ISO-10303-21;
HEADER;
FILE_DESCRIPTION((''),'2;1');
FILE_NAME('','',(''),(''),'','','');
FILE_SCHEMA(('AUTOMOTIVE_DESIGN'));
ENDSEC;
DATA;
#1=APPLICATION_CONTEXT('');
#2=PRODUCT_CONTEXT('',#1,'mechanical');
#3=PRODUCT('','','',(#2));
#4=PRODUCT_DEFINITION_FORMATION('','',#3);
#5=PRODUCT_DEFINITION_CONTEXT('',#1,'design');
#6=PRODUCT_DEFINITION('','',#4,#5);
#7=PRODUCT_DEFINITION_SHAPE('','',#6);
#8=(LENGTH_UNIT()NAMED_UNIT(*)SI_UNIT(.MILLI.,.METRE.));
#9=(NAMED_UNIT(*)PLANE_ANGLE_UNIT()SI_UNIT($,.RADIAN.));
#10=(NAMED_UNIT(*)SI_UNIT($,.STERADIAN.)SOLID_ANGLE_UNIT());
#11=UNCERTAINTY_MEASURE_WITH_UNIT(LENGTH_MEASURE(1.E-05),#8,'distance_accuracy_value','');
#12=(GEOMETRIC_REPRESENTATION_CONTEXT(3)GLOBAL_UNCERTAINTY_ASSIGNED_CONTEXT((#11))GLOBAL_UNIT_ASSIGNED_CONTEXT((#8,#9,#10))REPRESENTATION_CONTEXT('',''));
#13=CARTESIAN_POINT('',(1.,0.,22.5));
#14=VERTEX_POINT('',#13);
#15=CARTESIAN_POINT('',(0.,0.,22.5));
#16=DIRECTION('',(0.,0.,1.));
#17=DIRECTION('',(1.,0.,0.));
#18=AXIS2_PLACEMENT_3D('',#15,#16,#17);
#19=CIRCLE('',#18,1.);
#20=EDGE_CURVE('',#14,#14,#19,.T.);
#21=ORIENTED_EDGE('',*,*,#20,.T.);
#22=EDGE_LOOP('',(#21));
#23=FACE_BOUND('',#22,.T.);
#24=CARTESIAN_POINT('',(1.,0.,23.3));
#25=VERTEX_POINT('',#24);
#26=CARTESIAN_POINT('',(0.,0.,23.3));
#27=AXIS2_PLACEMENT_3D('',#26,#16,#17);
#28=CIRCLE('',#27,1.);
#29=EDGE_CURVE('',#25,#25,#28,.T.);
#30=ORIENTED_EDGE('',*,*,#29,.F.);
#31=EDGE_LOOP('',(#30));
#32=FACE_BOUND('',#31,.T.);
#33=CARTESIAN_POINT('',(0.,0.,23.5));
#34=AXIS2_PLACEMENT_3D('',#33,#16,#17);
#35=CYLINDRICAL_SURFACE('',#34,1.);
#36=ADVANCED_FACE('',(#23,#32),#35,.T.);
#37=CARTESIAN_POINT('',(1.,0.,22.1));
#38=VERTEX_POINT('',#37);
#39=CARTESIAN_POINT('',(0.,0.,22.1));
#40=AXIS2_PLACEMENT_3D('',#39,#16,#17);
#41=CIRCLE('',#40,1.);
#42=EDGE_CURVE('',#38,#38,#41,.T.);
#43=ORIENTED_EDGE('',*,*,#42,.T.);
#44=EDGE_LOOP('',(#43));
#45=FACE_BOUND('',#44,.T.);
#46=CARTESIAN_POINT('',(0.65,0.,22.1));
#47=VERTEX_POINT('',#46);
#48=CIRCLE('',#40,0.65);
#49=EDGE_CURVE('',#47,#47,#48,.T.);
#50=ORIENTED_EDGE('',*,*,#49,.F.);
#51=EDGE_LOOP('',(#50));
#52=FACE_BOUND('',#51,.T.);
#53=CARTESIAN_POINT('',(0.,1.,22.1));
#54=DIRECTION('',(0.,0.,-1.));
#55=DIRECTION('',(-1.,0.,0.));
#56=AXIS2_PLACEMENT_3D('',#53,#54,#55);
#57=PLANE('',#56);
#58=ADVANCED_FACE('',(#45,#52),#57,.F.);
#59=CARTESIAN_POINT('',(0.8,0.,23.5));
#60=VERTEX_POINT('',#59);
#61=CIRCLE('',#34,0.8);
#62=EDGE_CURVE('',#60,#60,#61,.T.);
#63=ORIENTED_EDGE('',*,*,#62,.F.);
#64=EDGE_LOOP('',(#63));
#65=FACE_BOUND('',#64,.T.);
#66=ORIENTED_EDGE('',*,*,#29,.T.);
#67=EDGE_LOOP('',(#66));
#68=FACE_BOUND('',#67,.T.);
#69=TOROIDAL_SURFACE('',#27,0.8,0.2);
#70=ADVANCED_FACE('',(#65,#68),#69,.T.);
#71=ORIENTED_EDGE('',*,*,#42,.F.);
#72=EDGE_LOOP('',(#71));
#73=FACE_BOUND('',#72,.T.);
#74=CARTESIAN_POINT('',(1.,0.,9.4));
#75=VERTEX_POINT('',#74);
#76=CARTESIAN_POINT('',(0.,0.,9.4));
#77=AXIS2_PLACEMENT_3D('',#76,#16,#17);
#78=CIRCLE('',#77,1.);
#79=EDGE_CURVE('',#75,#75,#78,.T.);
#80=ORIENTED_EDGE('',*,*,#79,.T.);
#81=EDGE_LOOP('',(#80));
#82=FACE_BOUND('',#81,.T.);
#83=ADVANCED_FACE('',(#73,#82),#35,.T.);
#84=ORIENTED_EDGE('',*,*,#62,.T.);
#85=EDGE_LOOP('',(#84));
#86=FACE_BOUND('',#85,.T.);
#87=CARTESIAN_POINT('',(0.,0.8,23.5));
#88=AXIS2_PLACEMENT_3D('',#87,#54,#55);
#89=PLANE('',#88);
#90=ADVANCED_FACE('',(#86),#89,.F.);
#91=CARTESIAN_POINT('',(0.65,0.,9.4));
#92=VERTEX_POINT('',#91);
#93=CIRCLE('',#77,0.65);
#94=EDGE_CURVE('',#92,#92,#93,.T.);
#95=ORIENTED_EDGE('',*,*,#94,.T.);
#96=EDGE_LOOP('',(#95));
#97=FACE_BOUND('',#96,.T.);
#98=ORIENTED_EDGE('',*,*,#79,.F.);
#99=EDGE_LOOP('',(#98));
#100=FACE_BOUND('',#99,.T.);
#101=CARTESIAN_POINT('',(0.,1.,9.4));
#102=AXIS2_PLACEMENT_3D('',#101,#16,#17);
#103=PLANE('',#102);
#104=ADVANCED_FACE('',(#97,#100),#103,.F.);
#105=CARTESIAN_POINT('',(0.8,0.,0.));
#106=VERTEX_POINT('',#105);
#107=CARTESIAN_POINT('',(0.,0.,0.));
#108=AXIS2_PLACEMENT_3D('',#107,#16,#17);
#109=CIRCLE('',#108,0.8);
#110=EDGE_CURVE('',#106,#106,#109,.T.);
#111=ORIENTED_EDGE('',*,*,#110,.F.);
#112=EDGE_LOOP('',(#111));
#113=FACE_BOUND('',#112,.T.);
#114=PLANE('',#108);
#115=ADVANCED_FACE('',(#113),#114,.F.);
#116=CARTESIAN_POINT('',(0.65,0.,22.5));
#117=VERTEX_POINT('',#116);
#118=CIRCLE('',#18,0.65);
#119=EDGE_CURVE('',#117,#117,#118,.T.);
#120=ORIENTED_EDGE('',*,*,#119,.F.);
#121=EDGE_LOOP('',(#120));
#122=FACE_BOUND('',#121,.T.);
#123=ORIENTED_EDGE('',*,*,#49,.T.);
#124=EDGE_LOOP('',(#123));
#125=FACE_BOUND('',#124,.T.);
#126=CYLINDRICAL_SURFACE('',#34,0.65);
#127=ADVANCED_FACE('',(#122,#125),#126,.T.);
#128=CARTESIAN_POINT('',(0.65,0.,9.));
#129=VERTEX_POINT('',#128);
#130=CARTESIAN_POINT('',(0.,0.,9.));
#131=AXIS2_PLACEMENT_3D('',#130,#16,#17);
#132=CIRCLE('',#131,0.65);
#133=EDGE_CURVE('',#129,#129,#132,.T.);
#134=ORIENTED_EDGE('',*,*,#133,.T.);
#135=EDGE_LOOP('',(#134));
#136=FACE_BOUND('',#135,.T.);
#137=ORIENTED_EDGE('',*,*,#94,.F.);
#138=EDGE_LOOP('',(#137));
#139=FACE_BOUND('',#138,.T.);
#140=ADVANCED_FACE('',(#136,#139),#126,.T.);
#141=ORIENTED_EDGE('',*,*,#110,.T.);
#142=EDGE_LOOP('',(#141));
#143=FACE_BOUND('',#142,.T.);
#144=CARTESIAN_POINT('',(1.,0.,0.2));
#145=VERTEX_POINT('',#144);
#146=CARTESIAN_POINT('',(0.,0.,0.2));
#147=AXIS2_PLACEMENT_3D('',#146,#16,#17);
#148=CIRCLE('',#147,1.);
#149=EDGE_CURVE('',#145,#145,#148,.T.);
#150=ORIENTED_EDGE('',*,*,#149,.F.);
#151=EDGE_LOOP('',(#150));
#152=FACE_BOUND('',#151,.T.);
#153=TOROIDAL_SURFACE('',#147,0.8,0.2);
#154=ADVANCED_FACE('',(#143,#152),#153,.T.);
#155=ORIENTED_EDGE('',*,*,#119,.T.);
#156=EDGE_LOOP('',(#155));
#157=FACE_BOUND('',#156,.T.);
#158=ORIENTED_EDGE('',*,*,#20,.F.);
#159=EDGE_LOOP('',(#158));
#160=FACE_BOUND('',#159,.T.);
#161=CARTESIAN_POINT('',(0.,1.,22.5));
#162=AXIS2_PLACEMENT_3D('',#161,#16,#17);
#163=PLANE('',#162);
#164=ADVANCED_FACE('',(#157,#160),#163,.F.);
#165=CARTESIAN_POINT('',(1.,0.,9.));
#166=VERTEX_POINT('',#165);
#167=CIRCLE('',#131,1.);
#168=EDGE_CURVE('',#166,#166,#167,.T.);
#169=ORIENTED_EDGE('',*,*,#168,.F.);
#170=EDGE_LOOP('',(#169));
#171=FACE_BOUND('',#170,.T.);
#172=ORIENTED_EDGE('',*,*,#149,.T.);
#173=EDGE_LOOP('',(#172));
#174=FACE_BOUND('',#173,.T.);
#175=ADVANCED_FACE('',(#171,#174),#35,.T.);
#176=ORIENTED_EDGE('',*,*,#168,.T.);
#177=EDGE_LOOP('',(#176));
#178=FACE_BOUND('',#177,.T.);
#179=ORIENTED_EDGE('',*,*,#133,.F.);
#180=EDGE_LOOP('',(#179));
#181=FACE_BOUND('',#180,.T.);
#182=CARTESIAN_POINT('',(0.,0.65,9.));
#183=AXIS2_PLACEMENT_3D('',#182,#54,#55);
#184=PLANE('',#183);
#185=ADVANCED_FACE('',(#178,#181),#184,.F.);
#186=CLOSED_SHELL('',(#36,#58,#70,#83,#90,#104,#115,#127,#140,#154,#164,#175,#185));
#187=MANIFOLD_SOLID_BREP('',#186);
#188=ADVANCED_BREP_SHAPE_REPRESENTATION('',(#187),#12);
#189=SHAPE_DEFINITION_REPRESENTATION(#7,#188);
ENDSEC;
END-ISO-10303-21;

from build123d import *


with BuildPart() as part:
    # Esquisse1 → Révolution1 (revolve)
    with BuildSketch(Plane(origin=(0, 0, 0), x_dir=(0, 0, -1), z_dir=(1, 0, 0))):
        with BuildLine():
            Line((0, 0), (0, 0.8))
            ThreePointArc((0, 0.8), (-0.058578644, 0.941421356), (-0.2, 1))
            Line((-0.2, 1), (-9, 1))
            Line((-9, 1), (-9, 0.65))
            Line((-9, 0.65), (-9.4, 0.65))
            Line((-9.4, 0.65), (-9.4, 1))
            Line((-9.4, 1), (-22.1, 1))
            Line((-22.1, 1), (-22.1, 0.65))
            Line((-22.1, 0.65), (-22.5, 0.65))
            Line((-22.5, 0.65), (-22.5, 1))
            Line((-22.5, 1), (-23.3, 1))
            ThreePointArc((-23.3, 1), (-23.441421356, 0.941421356), (-23.5, 0.8))
            Line((-23.5, 0.8), (-23.5, 0))
            Line((-23.5, 0), (0, 0))
        make_face()
    revolve(axis=Axis((0, 0, 23.5), (0, 0, -1)))


solid = part.part
